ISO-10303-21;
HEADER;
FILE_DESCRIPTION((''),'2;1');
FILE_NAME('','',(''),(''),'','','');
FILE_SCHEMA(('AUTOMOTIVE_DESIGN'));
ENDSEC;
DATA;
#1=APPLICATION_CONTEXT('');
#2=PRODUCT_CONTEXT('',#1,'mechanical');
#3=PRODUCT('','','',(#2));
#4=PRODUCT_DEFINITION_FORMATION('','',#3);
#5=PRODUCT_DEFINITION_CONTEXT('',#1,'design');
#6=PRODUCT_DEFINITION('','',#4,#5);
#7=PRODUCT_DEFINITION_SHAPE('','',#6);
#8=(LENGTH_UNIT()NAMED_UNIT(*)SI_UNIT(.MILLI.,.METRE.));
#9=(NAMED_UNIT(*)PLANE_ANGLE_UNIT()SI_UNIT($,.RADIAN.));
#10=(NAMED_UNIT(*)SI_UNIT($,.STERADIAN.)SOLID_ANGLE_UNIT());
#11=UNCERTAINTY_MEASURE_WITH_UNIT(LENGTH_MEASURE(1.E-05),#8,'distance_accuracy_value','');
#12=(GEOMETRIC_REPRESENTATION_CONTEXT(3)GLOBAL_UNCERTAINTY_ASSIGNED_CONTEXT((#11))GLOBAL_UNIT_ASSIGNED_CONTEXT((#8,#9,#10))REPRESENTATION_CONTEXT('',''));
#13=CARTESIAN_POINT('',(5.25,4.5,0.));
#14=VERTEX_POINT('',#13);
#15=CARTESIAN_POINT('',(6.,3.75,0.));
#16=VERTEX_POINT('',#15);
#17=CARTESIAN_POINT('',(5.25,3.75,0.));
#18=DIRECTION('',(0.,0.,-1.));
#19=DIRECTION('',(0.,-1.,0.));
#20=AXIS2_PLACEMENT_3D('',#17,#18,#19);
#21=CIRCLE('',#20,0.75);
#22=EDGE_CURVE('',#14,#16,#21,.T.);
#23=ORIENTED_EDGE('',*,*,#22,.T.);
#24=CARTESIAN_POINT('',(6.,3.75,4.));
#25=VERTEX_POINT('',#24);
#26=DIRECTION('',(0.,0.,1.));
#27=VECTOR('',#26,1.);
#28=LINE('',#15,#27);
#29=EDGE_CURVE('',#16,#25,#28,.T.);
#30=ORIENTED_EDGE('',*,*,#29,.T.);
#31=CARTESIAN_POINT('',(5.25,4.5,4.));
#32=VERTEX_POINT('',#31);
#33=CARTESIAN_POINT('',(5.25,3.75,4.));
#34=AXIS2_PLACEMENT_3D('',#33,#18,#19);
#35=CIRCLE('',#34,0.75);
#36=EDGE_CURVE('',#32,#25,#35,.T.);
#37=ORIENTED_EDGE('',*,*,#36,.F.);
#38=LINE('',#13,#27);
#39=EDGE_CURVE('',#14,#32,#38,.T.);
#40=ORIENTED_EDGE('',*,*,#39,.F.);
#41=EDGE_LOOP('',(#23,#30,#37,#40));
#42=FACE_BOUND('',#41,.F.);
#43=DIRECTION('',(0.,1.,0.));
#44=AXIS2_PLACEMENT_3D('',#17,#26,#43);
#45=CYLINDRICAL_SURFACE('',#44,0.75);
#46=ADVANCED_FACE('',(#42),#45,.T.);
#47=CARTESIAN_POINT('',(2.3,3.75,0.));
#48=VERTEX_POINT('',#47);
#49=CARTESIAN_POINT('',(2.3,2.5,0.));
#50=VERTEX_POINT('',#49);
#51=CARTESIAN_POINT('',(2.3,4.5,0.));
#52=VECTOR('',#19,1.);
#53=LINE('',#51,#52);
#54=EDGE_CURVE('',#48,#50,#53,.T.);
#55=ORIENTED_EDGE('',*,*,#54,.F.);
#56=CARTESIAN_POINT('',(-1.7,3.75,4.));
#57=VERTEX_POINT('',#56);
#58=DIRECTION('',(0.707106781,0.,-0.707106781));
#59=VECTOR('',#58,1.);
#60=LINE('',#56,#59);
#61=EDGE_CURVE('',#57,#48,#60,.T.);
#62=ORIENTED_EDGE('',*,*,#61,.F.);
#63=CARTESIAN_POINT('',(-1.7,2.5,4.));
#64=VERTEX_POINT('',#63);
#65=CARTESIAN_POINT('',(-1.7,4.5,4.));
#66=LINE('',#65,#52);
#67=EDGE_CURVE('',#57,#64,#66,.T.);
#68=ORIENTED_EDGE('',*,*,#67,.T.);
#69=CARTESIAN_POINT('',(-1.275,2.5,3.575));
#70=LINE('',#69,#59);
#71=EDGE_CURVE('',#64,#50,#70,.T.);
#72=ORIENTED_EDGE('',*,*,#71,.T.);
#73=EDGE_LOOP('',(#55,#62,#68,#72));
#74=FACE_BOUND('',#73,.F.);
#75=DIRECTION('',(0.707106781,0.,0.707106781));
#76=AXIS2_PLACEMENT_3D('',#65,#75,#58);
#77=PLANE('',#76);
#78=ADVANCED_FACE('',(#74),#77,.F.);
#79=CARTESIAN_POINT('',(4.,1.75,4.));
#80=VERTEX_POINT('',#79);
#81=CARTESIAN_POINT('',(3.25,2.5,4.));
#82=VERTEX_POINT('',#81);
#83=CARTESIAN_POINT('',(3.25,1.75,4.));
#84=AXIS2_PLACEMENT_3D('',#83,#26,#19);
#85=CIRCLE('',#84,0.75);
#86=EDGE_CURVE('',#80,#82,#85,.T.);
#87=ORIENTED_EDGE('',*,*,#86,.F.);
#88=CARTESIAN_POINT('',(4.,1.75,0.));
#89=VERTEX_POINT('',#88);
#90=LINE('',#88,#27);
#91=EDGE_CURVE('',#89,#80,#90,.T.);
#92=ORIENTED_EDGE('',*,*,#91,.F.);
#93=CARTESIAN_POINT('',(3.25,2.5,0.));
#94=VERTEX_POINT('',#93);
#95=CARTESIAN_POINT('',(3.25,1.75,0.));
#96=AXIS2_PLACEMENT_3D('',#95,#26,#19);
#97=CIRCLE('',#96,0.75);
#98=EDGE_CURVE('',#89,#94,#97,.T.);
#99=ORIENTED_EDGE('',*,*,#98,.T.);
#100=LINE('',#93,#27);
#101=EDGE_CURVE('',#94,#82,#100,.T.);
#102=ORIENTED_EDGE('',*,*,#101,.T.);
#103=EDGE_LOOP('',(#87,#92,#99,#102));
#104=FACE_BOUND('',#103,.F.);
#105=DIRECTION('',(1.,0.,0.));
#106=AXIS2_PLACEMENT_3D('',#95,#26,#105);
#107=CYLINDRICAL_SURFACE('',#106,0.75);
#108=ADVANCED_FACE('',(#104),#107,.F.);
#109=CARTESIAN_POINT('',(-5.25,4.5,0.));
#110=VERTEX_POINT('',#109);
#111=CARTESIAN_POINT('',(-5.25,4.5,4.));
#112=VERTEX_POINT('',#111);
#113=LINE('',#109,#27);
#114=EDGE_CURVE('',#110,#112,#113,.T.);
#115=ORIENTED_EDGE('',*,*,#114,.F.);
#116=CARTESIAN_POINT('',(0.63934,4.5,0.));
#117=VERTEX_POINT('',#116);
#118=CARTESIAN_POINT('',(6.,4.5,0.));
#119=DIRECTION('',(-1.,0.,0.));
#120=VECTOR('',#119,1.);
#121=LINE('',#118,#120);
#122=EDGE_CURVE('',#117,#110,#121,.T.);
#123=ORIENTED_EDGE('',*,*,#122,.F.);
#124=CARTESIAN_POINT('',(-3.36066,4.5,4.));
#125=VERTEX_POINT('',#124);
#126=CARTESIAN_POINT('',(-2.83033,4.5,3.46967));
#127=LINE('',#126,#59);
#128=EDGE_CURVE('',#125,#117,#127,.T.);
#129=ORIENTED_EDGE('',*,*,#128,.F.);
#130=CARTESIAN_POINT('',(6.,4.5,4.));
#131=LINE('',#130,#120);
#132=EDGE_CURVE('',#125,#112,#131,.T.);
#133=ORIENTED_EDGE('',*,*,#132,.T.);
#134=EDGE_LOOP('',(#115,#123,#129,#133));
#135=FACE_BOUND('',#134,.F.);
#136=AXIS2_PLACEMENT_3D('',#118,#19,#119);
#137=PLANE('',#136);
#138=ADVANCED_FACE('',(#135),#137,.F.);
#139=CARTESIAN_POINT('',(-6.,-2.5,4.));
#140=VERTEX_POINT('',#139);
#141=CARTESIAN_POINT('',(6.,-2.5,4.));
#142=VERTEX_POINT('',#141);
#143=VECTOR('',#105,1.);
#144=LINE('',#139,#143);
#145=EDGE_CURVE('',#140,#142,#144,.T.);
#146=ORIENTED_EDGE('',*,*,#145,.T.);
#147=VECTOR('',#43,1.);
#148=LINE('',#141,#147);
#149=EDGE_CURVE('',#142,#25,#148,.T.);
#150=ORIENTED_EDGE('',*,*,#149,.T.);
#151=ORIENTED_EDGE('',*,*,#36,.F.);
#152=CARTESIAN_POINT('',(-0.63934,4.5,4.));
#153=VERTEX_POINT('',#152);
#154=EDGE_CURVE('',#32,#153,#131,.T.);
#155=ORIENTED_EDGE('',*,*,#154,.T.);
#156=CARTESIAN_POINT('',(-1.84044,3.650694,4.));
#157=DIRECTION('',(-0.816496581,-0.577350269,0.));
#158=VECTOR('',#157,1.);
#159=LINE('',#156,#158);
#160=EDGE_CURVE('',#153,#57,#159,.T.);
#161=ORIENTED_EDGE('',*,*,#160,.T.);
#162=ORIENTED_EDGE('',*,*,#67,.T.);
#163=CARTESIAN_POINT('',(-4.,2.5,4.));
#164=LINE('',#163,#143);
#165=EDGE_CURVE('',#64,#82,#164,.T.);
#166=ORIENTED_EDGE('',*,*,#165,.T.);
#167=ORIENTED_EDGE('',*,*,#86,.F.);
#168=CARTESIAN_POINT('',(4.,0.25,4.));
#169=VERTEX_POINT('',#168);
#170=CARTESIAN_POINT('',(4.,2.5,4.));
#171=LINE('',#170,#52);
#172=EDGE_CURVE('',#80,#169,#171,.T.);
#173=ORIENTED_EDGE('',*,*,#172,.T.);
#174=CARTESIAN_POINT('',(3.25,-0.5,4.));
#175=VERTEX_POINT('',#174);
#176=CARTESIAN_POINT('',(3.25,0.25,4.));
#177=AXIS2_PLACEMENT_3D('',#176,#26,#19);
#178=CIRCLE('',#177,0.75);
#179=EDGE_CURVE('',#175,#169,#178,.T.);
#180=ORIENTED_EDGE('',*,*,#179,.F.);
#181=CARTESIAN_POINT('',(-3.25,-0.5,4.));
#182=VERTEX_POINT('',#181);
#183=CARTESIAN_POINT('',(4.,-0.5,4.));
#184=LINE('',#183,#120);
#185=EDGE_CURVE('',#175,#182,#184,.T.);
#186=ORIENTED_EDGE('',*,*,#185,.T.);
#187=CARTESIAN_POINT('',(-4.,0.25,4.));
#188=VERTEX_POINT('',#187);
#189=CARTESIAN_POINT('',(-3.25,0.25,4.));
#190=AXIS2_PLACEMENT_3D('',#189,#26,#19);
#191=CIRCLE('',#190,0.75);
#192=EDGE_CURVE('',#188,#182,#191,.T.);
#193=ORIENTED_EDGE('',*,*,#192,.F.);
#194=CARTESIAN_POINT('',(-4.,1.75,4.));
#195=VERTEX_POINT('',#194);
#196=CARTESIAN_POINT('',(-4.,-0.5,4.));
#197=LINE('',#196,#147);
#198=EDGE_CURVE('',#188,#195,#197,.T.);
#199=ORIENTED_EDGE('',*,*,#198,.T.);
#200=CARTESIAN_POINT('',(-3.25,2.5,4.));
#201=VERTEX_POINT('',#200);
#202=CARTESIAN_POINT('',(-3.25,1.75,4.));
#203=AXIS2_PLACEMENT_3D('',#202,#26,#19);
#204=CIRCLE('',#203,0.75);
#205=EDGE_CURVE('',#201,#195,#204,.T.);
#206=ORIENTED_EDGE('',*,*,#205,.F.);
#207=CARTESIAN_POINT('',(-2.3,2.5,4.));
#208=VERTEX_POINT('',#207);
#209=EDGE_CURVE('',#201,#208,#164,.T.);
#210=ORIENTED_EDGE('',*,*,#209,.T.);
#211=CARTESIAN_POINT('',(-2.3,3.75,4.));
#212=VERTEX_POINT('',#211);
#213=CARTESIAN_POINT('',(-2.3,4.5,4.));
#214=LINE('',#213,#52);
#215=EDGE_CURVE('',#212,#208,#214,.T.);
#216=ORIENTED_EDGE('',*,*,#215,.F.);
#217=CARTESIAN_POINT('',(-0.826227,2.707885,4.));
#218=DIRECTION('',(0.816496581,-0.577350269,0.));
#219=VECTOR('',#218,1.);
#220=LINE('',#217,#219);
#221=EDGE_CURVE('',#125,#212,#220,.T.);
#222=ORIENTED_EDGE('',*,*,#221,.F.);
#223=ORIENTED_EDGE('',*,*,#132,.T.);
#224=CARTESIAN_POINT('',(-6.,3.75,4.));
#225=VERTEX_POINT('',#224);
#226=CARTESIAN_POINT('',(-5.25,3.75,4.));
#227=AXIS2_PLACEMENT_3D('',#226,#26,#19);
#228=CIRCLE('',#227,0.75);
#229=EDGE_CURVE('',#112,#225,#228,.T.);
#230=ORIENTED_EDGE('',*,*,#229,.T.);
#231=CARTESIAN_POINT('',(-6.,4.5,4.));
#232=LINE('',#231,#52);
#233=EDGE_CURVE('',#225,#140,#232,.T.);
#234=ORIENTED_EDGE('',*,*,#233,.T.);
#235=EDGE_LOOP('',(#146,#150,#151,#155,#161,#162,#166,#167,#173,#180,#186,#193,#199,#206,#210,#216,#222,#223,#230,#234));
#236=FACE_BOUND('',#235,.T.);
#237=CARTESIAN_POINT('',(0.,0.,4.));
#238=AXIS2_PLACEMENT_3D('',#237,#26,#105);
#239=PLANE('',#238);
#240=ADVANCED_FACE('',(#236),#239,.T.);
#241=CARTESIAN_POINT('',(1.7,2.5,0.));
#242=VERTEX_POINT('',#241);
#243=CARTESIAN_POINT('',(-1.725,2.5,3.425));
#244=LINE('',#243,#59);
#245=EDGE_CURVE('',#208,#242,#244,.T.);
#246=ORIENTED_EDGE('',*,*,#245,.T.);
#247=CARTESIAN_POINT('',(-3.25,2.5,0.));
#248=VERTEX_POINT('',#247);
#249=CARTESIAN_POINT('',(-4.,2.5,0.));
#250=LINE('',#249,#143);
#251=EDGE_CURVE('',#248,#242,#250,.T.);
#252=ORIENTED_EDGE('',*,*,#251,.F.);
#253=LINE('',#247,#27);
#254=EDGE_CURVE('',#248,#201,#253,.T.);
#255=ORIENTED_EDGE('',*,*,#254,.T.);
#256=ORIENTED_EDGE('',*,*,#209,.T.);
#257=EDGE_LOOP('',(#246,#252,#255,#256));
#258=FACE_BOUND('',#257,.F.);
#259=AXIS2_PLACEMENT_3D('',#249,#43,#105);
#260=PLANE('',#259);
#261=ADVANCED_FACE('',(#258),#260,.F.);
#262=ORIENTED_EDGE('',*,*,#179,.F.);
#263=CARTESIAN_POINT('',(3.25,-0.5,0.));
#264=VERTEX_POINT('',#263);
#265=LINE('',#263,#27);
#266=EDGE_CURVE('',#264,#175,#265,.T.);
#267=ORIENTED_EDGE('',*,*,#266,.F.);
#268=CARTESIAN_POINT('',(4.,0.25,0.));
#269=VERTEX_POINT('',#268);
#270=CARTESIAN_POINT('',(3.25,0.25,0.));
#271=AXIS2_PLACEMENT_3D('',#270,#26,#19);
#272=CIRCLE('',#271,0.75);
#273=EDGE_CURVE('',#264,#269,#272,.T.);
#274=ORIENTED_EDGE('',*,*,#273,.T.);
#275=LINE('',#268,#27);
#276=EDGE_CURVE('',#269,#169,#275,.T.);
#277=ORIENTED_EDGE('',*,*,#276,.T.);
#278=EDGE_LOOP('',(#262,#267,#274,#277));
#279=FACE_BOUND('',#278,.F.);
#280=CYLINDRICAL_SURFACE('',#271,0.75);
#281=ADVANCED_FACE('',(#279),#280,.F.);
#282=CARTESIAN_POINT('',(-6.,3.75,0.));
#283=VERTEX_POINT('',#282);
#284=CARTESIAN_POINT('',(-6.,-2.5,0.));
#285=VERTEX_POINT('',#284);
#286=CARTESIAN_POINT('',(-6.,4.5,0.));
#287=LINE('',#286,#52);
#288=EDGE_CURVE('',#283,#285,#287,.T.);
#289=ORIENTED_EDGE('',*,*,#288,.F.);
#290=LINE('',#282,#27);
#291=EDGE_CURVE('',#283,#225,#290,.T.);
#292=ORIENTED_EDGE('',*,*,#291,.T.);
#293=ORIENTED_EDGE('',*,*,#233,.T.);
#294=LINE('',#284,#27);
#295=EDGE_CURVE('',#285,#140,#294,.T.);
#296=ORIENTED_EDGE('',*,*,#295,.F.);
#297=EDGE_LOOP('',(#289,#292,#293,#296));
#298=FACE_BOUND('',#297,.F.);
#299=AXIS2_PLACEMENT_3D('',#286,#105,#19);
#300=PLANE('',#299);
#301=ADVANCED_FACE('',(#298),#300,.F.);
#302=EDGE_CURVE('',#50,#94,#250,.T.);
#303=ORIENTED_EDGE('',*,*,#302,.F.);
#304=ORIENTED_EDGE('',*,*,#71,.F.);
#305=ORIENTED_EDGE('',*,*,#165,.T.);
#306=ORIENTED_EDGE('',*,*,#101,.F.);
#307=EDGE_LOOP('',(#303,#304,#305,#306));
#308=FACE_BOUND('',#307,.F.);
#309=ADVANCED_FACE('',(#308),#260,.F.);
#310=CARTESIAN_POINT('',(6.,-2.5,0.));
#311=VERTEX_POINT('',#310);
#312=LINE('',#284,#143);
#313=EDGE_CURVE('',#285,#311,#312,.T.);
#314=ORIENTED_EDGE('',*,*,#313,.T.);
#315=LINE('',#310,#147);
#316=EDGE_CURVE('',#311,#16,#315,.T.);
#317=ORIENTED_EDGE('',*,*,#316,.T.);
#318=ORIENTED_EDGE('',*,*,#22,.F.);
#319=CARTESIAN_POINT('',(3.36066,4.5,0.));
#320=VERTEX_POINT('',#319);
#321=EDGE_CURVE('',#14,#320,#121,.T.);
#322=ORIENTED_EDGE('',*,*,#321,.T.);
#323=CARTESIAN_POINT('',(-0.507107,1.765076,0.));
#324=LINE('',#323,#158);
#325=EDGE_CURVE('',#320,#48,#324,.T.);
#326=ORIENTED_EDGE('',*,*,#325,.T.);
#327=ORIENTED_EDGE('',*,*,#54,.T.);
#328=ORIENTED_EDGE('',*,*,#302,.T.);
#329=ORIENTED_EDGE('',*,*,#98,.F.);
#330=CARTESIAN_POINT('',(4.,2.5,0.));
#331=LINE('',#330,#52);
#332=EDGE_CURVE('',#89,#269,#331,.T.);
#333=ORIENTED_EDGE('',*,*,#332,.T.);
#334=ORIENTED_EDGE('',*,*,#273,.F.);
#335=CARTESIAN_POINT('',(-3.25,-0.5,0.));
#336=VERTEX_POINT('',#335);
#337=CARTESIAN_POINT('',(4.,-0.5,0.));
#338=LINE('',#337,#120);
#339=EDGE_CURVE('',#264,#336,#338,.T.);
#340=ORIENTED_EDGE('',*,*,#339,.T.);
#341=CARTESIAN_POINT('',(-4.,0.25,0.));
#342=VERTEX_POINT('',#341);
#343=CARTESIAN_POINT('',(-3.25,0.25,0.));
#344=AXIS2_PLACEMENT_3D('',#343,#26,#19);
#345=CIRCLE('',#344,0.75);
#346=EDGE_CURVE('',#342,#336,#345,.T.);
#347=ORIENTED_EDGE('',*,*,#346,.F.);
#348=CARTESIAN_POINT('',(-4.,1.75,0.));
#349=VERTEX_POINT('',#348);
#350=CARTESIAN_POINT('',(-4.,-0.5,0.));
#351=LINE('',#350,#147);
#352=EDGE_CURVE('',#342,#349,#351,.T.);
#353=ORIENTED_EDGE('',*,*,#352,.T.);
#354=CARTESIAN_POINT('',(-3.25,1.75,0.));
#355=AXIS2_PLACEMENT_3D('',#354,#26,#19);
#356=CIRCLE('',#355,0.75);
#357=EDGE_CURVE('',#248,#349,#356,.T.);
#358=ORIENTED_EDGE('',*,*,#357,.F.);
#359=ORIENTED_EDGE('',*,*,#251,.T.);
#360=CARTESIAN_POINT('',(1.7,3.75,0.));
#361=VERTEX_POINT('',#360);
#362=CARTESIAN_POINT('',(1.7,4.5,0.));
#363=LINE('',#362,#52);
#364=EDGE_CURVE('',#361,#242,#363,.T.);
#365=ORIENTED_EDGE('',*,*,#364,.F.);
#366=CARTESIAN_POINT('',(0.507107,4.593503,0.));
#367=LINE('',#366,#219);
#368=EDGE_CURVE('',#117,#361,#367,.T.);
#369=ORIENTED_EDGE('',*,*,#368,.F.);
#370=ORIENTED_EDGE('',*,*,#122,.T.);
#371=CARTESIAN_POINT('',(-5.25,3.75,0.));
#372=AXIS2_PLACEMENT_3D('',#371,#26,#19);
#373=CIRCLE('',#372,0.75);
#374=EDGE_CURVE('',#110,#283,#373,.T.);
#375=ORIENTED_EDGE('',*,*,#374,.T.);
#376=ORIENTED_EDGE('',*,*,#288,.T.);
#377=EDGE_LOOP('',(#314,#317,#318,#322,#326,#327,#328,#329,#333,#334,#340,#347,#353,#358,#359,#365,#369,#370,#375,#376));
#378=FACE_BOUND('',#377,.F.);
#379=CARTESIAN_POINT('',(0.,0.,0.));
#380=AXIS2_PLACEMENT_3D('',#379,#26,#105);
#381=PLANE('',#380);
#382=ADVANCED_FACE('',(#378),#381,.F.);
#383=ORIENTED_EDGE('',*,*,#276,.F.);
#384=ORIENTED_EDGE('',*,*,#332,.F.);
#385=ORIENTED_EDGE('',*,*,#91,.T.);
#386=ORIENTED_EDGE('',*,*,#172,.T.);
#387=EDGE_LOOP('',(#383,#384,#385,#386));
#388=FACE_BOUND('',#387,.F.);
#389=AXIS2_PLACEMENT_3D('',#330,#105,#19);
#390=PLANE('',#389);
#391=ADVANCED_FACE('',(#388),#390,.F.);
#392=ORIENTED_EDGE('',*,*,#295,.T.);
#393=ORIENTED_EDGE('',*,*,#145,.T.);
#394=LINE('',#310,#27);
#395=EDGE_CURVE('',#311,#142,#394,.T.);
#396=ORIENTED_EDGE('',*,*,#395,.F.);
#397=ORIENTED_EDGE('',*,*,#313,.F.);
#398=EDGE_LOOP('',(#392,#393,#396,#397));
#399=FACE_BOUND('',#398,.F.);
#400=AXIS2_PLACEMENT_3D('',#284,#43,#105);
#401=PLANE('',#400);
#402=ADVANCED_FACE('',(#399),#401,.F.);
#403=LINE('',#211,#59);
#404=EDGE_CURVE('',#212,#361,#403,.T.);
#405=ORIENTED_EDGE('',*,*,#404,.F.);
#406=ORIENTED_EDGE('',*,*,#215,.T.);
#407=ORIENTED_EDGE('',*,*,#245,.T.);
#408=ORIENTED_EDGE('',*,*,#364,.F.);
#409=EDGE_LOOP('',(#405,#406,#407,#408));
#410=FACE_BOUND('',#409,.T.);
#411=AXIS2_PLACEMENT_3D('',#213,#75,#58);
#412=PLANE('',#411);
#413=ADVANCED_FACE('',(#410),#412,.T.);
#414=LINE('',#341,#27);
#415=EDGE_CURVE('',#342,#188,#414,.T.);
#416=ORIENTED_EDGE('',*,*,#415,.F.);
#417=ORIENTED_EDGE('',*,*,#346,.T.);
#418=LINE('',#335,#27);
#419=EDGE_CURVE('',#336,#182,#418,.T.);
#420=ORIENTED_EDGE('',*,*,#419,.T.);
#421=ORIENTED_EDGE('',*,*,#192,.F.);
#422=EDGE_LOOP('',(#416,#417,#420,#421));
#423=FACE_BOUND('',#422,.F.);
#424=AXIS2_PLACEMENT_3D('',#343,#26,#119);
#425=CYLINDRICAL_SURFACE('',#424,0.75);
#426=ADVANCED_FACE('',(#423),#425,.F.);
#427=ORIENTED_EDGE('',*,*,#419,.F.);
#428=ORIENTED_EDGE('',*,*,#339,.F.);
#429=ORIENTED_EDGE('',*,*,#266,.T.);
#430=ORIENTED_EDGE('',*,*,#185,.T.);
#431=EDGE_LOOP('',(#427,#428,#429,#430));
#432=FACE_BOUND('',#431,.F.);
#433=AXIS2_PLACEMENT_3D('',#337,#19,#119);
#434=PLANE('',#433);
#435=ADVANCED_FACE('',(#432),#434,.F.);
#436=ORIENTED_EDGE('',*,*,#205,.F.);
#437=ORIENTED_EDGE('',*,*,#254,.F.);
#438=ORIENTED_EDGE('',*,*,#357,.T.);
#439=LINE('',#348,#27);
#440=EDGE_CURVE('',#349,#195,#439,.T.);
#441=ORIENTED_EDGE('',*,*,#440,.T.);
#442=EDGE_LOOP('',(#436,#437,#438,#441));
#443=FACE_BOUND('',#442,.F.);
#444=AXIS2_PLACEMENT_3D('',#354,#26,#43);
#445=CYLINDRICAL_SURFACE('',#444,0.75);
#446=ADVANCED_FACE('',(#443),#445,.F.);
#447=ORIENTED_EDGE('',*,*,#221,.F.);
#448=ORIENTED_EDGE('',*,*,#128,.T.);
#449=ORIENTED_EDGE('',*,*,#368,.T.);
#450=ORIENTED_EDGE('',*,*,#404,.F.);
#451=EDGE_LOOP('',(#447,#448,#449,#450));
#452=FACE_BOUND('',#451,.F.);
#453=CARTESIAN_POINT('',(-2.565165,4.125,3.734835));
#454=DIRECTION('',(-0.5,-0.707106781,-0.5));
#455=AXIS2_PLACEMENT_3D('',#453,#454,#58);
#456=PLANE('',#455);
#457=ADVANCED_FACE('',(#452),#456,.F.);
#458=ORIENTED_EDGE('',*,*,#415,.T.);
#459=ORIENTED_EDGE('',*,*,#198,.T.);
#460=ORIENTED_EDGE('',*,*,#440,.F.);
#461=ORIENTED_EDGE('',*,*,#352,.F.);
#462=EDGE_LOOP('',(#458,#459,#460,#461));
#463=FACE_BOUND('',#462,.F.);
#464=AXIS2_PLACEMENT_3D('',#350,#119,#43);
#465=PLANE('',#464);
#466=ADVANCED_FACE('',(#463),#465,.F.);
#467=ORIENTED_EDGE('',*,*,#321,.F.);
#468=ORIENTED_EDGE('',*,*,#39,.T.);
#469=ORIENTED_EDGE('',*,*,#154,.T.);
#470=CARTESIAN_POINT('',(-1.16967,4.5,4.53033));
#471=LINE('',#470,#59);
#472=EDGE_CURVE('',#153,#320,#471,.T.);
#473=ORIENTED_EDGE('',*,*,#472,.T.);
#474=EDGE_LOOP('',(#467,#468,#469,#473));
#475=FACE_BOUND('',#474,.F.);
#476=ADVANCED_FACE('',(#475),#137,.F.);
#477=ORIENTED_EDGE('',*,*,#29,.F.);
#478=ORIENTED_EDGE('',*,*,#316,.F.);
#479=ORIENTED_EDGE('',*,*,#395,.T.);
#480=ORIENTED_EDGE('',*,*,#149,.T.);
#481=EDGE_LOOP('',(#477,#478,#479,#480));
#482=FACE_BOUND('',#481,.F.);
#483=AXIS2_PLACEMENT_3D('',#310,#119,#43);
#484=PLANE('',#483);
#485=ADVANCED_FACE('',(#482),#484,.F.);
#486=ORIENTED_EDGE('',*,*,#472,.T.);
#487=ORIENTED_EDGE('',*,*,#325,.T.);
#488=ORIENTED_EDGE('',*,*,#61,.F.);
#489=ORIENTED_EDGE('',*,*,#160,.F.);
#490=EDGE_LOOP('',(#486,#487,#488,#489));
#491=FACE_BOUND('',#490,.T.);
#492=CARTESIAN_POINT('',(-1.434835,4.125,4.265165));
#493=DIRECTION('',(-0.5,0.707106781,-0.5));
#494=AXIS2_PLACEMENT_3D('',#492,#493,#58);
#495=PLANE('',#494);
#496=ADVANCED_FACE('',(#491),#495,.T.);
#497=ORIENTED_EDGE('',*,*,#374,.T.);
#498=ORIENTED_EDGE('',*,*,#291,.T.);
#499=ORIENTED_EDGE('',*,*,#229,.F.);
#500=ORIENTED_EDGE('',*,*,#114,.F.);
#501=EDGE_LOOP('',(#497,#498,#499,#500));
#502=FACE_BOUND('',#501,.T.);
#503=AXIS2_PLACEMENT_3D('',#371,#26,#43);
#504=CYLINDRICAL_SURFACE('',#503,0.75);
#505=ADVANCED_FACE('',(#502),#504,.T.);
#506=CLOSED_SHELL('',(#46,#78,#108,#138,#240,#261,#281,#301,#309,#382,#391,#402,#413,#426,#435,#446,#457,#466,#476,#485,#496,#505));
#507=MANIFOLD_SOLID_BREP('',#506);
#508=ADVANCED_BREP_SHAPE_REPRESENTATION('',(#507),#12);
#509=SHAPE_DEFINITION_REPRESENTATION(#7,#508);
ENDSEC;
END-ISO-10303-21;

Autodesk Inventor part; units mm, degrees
ref_plane "YZ Plane" through (0, 0, 0) normal (1, 0, 0) x (0, 1, 0)
ref_plane "XZ Plane" through (0, 0, 0) normal (0, 1, 0) x (-1, 0, 0)
ref_plane "XY Plane" through (0, 0, 0) normal (0, 0, 1) x (1, 0, 0)
sketch "Sketch1" plane through (0, 0, 0) normal (0, 0, 1) x (1, 0, 0)
  circle A0 centre (0, 0) radius 1 construction
  circle A1 centre (2.5, 0) radius 1 construction
  circle A2 centre (-2.5, 0) radius 1 construction
  circle A3 centre (-1.25, 2) radius 1 construction
  circle A4 centre (1.25, 2) radius 1 construction
  line L0 (-4, 2.5) -> (4, 2.5)
  line L1 (4, 2.5) -> (4, -0.5)
  line L2 (4, -0.5) -> (-4, -0.5)
  line L3 (-4, -0.5) -> (-4, 2.5)
  line L4 (-4, 2.5) -> (4, -0.5) construction
  line L5 (4, 2.5) -> (-4, -0.5) construction
  line L6 (6, 4.5) -> (-6, 4.5)
  line L7 (-6, 4.5) -> (-6, -2.5)
  line L8 (-6, -2.5) -> (6, -2.5)
  line L9 (6, -2.5) -> (6, 4.5)
  point P0 (0, 1)
  point P1 (0, 1)
  dimension "d0" = 2
  dimension "d1" = 2.5
  dimension "d2" = 2.5
  dimension "d3" = 1.25
  dimension "d4" = 2
  dimension "d5" = 1.25
  dimension "d6" = 1
  dimension "d7" = 3
  dimension "d8" = 8
  dimension "d9" = 2
extrude "Extrusion1" add sketch "Sketch1" along normal blind 4
sketch "Sketch2" plane through (-6, 4.5, 0) normal (0, 1, 0) x (1, 0, 0)
  line L0 (2, 0) -> (2, -4) projected
  line L1 (10, 0) -> (10, -4) projected
  line L2 (4, -4) -> (8, 0) construction
  line L3 (12, -4) -> (0, -4) projected
  line L4 (12, 0) -> (0, 0) projected
  line L5 (3.7, -4) -> (7.7, 0)
  line L6 (10, 0) -> (2, 0) projected
  line L7 (4.3, -4) -> (8.3, 0)
  line L8 (3.7, -4) -> (4.3, -4)
  line L9 (7.7, 0) -> (8.3, 0)
  point P0 (6, 0)
  dimension "d12" = 2
  dimension "d13" = 2
  dimension "d15" = 0.3
  dimension "d16" = 0.3
extrude "Extrusion2" cut sketch "Sketch2" against normal blind 4 contours L4 L7 L3 L5
chamfer "Chamfer1" distance 0.75 angle 45 2 edges at (0.3, 4.5, 2) (-0.3, 4.5, 2)
fillet "Fillet1" radius 0.75 4 edges at (-4, -0.5, 2) (-4, 2.5, 2) (4, 2.5, 2) (4, -0.5, 2)
fillet "Fillet1" radius 0.75 2 edges at (-6, 4.5, 2) (6, 4.5, 2)
equation "\"d2\" = d1"
equation "\"d5\" = d3"
equation "\"d13\" = d12"
equation "\"d16\" = d15"
properties part number "Cable Clip v1"
